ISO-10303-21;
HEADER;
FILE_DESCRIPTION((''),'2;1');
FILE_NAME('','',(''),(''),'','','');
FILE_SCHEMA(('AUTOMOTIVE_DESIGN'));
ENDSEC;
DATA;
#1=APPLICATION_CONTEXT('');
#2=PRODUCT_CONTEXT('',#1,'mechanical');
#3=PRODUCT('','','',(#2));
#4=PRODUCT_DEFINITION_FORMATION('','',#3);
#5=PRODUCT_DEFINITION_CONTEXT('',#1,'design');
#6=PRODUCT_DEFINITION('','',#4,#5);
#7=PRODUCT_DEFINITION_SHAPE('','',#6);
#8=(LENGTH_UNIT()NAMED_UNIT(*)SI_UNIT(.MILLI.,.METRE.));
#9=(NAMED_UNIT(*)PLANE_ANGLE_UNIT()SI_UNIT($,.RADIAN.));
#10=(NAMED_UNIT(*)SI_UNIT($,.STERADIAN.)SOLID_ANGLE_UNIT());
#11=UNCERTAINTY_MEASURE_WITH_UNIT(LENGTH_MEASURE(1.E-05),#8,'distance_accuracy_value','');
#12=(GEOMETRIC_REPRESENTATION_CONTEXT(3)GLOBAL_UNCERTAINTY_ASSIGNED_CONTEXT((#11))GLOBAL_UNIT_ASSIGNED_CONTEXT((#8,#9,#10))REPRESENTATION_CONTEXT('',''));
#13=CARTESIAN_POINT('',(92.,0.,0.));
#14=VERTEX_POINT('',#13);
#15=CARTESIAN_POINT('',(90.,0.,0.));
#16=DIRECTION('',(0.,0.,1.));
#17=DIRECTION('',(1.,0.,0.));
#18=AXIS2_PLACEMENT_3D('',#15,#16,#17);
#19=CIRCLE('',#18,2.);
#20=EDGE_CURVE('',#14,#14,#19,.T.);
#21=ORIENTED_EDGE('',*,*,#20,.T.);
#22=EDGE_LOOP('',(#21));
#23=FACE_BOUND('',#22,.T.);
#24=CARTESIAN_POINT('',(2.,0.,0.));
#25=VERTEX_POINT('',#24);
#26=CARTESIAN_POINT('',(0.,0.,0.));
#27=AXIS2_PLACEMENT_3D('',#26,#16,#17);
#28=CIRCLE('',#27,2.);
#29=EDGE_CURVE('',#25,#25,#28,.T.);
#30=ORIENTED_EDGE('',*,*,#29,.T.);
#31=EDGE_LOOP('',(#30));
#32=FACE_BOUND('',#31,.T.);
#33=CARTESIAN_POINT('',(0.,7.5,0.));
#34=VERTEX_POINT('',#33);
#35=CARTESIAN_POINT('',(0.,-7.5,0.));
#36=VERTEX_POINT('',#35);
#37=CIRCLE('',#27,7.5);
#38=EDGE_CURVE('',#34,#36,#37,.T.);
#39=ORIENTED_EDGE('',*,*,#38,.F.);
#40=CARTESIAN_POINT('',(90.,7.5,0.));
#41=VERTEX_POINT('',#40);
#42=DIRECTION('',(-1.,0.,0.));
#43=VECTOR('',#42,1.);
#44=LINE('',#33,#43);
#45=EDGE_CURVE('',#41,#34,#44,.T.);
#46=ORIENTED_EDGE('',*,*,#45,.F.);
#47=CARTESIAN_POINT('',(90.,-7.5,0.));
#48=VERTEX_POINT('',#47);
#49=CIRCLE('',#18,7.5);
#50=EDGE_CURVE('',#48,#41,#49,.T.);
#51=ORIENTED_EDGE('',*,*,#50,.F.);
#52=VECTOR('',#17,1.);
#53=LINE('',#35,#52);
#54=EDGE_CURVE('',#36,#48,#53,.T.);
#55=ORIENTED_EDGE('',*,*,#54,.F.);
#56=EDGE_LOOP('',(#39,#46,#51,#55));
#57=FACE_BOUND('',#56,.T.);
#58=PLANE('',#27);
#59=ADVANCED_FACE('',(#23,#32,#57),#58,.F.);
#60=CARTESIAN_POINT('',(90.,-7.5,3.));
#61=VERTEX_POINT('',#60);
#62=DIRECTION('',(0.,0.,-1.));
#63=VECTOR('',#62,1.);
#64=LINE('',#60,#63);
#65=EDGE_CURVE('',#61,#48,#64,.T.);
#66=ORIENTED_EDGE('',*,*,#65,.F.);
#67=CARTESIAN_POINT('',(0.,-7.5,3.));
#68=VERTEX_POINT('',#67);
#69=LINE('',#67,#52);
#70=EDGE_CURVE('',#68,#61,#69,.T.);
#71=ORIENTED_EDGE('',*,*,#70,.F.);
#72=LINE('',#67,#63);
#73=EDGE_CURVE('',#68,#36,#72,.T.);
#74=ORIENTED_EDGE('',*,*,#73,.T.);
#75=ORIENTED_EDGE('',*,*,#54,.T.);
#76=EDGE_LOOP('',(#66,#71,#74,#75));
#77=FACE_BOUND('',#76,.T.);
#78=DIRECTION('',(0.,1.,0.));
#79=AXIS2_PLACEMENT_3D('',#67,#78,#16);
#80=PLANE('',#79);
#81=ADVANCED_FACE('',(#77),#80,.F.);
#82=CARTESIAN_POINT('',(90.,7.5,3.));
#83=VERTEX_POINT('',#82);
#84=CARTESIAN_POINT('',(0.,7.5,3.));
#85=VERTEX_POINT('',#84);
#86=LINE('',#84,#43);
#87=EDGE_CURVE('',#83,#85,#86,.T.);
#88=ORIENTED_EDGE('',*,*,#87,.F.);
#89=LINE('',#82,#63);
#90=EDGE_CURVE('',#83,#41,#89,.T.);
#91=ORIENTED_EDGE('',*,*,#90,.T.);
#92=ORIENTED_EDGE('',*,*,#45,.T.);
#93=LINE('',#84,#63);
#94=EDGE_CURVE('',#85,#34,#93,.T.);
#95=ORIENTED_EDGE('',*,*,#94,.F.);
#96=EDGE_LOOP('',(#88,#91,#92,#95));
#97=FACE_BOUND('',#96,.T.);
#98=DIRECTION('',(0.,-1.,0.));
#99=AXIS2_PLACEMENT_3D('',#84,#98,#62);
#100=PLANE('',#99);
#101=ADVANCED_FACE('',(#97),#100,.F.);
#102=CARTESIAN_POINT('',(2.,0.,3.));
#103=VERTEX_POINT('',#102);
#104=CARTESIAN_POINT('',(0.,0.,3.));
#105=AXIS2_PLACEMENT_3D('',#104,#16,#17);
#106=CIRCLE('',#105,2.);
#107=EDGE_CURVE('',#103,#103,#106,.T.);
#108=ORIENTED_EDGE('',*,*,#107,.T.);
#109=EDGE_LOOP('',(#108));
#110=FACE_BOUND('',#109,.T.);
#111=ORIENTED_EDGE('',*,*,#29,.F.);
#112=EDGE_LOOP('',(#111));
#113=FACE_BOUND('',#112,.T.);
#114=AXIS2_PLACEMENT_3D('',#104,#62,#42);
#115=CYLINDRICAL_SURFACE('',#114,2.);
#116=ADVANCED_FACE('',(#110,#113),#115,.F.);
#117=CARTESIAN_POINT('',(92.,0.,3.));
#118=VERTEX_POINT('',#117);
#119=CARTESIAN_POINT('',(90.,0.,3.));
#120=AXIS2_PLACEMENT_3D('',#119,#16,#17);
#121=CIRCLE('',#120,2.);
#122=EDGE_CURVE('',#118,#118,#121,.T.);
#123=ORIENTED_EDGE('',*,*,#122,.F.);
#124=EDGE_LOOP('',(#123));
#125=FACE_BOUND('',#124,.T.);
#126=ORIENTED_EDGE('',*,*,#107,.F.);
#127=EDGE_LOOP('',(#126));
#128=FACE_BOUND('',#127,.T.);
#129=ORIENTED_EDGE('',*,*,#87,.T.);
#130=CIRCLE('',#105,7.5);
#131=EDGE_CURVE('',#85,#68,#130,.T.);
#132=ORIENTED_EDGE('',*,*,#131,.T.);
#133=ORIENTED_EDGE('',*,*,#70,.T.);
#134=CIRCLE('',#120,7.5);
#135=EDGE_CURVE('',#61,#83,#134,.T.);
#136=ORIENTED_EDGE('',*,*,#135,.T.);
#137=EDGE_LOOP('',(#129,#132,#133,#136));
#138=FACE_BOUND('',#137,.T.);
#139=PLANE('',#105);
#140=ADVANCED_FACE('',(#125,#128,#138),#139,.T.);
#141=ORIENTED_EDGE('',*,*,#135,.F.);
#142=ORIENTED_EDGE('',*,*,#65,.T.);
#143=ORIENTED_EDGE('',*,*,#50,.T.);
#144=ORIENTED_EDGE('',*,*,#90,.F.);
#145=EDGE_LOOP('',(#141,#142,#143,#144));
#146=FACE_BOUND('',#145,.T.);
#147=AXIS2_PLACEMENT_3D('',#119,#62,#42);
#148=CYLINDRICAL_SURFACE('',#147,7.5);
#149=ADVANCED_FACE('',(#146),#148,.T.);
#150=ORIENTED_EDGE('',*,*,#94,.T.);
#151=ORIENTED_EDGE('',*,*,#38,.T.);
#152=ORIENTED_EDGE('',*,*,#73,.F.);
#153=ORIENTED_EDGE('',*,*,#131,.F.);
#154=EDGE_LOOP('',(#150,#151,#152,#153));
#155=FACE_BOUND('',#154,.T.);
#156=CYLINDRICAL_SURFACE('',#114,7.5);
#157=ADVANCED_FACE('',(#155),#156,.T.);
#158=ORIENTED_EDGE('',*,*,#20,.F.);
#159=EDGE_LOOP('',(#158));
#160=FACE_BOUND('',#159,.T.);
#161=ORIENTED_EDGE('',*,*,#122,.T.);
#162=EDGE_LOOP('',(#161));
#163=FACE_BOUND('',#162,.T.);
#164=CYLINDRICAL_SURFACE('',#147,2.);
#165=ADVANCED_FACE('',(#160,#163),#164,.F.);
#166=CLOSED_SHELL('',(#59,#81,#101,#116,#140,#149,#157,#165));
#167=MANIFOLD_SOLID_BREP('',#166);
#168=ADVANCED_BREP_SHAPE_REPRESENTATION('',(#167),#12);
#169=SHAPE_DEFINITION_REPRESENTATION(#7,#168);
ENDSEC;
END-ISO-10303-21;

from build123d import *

# Parameters (mm, degrees)
SKETCH1_R           = 2
BOSS_EXTRUDE1_DEPTH = 3


with BuildPart() as part:
    # Sketch1 → Boss-Extrude1 (new body)
    with BuildSketch(Plane.XY):
        with BuildLine():
            Line((0, 7.5), (90, 7.5))
            ThreePointArc((90, 7.5), (97.5, 0), (90, -7.5))
            Line((90, -7.5), (0, -7.5))
            ThreePointArc((0, -7.5), (-7.5, 0), (0, 7.5))
        make_face()
        Circle(SKETCH1_R, mode=Mode.SUBTRACT)
        with Locations((90, 0)):
            Circle(SKETCH1_R, mode=Mode.SUBTRACT)
    extrude(amount=BOSS_EXTRUDE1_DEPTH)


solid = part.part
